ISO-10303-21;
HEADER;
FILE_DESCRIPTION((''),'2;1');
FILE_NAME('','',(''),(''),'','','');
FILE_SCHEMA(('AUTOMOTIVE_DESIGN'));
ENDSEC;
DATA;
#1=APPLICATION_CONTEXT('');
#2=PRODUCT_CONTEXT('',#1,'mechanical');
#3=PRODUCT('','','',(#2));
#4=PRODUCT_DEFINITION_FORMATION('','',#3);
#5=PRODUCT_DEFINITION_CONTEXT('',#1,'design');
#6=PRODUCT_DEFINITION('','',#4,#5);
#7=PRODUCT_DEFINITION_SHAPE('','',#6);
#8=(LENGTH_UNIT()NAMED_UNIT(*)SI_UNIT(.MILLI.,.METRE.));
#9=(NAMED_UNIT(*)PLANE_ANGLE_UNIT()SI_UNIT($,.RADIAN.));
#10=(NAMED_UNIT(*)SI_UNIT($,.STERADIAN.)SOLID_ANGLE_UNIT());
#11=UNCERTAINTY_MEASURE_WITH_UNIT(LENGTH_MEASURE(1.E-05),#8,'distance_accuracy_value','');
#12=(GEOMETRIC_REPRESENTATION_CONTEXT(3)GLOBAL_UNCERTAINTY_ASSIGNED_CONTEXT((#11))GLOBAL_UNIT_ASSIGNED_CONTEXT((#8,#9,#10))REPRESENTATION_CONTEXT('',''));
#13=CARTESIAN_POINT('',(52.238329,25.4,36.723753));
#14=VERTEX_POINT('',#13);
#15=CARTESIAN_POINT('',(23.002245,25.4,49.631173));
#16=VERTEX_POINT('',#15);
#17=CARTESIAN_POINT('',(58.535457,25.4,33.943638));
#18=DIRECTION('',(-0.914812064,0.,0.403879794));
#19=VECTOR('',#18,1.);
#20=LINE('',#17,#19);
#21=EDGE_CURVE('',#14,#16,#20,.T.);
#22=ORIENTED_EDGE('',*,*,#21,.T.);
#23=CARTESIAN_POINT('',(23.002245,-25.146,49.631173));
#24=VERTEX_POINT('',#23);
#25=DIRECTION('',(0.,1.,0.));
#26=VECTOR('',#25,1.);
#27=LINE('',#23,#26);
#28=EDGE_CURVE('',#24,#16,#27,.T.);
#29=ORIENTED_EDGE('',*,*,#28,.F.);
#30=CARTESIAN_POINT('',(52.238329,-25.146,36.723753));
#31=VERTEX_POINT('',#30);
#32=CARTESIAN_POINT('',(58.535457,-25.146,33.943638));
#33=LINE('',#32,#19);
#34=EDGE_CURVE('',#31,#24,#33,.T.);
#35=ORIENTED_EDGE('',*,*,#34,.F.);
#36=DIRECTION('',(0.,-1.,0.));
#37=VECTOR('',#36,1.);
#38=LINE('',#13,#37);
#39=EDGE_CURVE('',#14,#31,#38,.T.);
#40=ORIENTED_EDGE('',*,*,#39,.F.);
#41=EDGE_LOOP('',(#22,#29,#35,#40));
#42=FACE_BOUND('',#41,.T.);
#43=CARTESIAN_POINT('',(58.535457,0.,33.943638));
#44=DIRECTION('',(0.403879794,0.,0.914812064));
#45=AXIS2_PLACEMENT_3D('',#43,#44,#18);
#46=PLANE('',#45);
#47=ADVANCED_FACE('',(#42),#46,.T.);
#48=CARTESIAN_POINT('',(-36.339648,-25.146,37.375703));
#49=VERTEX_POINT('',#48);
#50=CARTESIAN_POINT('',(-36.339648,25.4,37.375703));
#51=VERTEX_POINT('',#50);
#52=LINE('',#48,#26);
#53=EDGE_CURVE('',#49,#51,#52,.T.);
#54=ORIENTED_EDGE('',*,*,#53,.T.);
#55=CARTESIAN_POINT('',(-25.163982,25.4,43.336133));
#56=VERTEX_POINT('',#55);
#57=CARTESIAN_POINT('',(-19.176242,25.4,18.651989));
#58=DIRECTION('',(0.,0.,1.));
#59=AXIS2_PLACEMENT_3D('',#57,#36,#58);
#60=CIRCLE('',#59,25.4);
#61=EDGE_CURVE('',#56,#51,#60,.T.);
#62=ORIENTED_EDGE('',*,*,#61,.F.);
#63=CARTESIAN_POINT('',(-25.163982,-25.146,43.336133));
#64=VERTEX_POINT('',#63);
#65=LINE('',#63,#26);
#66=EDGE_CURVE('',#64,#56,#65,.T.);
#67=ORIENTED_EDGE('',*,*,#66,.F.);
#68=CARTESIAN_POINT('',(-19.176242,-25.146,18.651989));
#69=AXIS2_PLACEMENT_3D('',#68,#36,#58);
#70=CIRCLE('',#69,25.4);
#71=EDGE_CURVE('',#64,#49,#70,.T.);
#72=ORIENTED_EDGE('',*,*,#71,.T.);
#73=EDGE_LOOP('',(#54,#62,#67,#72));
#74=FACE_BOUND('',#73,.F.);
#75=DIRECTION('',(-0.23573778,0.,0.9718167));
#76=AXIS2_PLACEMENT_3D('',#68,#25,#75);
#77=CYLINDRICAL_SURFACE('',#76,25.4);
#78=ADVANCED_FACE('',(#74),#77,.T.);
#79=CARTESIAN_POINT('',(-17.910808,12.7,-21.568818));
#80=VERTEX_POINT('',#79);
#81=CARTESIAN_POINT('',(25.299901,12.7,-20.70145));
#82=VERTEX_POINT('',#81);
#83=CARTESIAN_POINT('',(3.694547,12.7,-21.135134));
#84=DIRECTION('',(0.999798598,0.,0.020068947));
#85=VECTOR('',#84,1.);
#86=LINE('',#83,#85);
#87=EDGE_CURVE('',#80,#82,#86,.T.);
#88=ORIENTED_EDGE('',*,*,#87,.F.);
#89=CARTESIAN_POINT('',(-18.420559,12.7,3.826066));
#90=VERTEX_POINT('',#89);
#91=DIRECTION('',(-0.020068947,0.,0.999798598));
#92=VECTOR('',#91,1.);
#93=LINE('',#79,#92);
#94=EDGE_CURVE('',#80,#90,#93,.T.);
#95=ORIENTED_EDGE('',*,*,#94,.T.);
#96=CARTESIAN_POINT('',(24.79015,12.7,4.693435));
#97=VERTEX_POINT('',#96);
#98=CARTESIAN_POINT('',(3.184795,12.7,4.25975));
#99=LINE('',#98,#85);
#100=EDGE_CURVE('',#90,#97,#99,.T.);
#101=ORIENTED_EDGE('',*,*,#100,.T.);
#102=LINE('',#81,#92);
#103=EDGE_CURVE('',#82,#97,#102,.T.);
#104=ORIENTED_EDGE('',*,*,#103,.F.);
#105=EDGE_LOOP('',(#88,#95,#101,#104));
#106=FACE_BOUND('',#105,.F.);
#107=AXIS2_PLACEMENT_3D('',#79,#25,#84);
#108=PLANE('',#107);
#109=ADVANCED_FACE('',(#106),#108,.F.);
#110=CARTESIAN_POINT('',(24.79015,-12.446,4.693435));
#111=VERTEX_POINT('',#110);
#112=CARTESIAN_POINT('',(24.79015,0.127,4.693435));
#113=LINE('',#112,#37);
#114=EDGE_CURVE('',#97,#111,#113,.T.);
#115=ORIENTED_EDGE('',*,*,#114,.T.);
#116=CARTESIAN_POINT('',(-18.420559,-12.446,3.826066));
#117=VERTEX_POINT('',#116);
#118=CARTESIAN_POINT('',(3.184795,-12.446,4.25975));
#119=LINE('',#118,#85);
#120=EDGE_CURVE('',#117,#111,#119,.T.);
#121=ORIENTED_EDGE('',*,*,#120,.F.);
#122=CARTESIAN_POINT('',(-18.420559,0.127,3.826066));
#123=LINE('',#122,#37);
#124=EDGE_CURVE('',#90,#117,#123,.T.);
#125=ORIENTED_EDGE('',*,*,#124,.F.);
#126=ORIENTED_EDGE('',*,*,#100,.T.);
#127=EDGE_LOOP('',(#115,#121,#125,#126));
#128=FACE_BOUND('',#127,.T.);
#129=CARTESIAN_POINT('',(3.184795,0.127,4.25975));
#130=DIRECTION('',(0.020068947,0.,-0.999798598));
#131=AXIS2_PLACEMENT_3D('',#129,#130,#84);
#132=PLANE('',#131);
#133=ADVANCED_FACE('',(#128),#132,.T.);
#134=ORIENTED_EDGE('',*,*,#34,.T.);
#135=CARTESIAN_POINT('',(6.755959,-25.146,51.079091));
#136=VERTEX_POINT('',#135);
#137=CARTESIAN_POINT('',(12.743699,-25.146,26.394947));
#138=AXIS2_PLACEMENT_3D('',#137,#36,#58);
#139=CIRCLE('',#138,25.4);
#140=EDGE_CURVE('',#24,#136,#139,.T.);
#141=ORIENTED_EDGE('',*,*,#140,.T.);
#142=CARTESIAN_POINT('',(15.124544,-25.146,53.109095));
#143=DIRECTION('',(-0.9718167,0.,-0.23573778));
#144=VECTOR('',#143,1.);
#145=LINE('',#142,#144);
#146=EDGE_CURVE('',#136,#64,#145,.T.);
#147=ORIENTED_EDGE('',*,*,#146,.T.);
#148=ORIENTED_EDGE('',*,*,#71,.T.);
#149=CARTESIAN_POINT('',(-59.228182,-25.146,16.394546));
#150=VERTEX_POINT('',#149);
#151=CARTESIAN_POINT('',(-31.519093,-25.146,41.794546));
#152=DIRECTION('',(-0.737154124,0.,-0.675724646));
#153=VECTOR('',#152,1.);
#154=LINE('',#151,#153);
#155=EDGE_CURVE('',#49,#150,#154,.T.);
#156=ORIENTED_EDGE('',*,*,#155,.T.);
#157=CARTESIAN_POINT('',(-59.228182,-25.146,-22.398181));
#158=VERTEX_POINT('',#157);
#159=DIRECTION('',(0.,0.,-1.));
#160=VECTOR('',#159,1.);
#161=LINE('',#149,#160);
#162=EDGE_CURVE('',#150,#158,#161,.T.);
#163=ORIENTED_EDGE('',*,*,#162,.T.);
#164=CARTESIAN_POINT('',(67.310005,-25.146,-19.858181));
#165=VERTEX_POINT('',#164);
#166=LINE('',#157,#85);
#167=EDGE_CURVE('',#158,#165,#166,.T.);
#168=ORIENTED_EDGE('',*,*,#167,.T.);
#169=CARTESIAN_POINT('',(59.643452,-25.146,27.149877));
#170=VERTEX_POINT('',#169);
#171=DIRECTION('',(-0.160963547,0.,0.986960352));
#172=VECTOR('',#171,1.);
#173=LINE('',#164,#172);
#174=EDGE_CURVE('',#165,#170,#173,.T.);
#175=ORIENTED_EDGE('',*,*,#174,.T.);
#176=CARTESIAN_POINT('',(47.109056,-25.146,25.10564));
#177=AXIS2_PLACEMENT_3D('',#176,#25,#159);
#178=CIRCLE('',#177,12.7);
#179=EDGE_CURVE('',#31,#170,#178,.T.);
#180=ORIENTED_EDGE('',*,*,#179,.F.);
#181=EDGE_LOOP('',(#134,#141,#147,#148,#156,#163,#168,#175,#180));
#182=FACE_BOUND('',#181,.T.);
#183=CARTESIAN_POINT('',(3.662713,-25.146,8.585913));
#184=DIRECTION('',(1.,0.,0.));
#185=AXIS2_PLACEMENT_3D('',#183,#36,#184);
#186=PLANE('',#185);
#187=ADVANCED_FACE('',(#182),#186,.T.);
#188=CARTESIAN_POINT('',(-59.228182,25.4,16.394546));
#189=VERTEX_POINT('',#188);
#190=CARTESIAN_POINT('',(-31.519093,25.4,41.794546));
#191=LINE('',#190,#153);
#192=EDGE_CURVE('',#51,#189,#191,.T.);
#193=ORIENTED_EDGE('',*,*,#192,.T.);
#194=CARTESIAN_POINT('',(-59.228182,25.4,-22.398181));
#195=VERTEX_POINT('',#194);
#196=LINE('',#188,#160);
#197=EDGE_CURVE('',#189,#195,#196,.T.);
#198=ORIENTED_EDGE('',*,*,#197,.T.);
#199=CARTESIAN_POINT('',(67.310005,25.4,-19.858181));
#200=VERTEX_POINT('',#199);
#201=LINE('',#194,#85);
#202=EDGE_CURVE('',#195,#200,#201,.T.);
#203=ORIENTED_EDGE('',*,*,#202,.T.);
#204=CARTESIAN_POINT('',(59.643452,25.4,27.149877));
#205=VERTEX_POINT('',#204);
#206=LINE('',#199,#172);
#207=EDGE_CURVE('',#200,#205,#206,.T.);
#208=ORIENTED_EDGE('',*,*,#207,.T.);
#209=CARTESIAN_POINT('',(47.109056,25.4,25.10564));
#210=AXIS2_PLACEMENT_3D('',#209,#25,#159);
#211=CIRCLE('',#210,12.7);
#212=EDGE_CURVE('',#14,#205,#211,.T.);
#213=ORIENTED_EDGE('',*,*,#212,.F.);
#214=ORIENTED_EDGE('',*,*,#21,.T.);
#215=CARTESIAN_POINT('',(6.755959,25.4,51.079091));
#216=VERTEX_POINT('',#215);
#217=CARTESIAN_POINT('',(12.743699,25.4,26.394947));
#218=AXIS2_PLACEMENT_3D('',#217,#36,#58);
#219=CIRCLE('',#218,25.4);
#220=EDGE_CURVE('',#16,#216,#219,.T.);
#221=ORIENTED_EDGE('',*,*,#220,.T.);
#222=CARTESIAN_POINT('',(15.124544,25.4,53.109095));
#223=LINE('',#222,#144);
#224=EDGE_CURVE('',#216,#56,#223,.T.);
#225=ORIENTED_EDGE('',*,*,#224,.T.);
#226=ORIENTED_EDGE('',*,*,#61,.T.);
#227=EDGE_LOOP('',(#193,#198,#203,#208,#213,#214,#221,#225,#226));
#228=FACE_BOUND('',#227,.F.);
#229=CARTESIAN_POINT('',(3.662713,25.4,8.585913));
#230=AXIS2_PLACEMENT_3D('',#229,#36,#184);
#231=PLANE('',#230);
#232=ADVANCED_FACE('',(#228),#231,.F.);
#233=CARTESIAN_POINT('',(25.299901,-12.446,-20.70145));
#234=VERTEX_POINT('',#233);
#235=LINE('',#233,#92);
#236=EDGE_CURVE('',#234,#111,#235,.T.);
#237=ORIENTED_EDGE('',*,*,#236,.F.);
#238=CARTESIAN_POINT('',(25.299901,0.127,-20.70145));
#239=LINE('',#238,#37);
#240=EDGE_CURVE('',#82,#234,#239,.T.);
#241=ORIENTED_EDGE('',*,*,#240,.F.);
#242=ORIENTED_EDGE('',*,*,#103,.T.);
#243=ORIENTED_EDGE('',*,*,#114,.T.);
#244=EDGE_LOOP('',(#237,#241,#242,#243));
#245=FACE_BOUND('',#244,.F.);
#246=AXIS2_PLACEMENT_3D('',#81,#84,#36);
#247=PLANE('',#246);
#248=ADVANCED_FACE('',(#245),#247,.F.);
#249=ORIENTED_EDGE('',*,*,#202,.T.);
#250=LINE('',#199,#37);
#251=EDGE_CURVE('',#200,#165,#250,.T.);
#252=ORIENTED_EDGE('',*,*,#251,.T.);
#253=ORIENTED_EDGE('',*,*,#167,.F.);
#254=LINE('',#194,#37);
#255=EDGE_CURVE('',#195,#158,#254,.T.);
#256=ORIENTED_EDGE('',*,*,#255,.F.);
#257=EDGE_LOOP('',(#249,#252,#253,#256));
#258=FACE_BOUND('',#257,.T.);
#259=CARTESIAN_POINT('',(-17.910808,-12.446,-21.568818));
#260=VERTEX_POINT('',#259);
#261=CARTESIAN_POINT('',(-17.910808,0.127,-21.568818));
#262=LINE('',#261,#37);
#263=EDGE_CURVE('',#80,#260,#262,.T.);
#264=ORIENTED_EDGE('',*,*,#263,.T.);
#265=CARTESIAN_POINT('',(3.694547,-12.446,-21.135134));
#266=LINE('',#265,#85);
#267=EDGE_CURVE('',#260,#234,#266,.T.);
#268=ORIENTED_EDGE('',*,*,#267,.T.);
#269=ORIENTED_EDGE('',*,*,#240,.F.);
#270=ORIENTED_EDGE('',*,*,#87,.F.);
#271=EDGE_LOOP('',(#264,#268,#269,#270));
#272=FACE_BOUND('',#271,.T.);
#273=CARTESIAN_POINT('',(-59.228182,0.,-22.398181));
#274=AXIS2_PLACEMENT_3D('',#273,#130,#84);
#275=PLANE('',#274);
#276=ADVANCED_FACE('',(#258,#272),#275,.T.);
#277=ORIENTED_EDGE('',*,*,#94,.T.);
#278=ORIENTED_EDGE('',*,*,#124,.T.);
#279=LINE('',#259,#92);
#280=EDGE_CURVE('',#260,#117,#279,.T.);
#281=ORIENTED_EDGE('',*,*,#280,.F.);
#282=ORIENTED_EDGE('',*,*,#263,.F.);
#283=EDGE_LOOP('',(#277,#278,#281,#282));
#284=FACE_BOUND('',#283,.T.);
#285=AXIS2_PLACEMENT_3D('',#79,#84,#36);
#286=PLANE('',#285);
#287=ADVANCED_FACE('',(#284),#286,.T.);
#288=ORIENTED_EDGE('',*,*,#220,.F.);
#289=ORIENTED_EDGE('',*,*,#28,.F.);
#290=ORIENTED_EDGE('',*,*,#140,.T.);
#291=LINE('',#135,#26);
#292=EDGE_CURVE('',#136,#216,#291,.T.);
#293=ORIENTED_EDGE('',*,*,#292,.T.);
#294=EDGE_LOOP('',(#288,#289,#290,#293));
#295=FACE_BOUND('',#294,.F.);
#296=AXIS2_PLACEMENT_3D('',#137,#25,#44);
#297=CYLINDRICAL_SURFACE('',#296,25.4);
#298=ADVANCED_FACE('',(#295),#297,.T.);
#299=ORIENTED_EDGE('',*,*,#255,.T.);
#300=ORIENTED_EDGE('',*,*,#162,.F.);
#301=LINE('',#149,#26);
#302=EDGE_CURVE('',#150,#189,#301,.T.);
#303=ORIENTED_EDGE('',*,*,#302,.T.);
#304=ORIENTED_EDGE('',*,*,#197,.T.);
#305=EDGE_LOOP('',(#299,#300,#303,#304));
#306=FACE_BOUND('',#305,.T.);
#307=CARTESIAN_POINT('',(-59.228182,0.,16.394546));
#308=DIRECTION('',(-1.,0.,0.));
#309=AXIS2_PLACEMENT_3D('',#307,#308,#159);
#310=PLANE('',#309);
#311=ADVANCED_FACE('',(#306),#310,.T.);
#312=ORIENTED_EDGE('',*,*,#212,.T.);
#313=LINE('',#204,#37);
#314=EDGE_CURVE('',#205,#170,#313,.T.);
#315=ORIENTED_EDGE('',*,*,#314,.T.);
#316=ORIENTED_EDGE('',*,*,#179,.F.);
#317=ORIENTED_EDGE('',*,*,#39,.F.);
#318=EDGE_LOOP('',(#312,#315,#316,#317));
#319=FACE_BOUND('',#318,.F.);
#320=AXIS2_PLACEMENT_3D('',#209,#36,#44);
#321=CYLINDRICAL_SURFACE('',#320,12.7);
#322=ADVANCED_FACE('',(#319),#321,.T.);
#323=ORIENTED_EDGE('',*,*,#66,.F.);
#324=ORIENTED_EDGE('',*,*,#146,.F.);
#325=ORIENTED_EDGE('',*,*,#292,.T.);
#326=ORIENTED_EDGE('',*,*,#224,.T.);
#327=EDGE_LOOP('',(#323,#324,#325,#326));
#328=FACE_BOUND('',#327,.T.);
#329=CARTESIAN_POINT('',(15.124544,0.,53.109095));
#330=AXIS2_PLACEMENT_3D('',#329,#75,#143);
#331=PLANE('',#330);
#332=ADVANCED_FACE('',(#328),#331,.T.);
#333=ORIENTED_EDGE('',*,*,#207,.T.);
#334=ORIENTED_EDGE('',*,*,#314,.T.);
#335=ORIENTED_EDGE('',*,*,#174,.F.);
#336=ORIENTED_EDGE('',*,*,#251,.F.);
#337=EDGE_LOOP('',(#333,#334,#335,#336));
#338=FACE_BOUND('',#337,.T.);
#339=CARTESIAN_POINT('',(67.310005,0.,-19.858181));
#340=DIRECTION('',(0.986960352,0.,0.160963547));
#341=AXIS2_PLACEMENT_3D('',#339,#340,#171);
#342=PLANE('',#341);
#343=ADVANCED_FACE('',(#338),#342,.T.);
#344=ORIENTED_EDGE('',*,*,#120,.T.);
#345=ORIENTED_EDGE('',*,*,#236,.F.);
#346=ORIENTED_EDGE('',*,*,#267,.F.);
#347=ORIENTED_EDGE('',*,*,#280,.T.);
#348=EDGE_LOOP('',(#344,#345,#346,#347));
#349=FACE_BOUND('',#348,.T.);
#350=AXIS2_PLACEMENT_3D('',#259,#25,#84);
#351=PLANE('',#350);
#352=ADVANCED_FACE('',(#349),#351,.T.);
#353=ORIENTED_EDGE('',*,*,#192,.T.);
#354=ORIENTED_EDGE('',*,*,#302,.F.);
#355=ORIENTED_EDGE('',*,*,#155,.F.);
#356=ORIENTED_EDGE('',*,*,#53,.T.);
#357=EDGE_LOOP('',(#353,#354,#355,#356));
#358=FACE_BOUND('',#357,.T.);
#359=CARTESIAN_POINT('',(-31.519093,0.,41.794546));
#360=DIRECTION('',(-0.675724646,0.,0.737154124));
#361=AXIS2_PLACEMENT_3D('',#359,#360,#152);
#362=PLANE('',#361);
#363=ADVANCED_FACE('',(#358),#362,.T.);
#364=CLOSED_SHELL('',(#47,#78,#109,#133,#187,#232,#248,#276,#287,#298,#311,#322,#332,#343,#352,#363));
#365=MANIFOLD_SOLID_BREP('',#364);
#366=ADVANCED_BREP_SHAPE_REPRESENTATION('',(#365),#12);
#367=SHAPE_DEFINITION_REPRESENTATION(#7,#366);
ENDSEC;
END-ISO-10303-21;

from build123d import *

# Parameters (mm, degrees)
F1_DEPTH      = 25.146
F1_DEPTH_BACK = 25.4
F2_R          = 12.7
F3_R          = 25.4
F4_W          = 43.2194133058
F4_H          = 25.146
F5_DEPTH      = 25.4


with BuildPart() as f1:
    # F0 (on Front) → F1 (new body, two sides)
    with BuildSketch(Plane.XZ) as f1_sk:
        Polygon((-59.228181839, 16.3945462555), (-59.228181839, -22.3981812596), (67.3100054264, -19.8581814766), (58.5354566574, 33.9436382055), (15.12454357, 53.1090945005), (-31.5190926194, 41.7945459485), align=None)
    extrude(amount=F1_DEPTH)
    extrude(f1_sk.sketch, amount=-F1_DEPTH_BACK)

    # F2
    f2_edges = [f1.edges().sort_by_distance(p)[0] for p in [
        (58.535457, 0.127, 33.943638),
    ]]
    fillet(f2_edges, radius=F2_R)

    # F3
    f3_edges = [f1.edges().sort_by_distance(p)[0] for p in [
        (-31.519093, 0.127, 41.794546),
        (15.124544, 0.127, 53.109095),
    ]]
    fillet(f3_edges, radius=F3_R)

    # F4 (on face) → F5 (cut)
    with BuildSketch(Plane(origin=(0.4255624903, 0, -21.200752239), x_dir=(0.9997985984, 0, 0.0200689474), z_dir=(0.0200689474, 0, -0.9997985984))):
        with Locations((3.2696425915, -0.127)):
            Rectangle(F4_W, F4_H)
    extrude(amount=-F5_DEPTH, mode=Mode.SUBTRACT)


solid = f1.part
